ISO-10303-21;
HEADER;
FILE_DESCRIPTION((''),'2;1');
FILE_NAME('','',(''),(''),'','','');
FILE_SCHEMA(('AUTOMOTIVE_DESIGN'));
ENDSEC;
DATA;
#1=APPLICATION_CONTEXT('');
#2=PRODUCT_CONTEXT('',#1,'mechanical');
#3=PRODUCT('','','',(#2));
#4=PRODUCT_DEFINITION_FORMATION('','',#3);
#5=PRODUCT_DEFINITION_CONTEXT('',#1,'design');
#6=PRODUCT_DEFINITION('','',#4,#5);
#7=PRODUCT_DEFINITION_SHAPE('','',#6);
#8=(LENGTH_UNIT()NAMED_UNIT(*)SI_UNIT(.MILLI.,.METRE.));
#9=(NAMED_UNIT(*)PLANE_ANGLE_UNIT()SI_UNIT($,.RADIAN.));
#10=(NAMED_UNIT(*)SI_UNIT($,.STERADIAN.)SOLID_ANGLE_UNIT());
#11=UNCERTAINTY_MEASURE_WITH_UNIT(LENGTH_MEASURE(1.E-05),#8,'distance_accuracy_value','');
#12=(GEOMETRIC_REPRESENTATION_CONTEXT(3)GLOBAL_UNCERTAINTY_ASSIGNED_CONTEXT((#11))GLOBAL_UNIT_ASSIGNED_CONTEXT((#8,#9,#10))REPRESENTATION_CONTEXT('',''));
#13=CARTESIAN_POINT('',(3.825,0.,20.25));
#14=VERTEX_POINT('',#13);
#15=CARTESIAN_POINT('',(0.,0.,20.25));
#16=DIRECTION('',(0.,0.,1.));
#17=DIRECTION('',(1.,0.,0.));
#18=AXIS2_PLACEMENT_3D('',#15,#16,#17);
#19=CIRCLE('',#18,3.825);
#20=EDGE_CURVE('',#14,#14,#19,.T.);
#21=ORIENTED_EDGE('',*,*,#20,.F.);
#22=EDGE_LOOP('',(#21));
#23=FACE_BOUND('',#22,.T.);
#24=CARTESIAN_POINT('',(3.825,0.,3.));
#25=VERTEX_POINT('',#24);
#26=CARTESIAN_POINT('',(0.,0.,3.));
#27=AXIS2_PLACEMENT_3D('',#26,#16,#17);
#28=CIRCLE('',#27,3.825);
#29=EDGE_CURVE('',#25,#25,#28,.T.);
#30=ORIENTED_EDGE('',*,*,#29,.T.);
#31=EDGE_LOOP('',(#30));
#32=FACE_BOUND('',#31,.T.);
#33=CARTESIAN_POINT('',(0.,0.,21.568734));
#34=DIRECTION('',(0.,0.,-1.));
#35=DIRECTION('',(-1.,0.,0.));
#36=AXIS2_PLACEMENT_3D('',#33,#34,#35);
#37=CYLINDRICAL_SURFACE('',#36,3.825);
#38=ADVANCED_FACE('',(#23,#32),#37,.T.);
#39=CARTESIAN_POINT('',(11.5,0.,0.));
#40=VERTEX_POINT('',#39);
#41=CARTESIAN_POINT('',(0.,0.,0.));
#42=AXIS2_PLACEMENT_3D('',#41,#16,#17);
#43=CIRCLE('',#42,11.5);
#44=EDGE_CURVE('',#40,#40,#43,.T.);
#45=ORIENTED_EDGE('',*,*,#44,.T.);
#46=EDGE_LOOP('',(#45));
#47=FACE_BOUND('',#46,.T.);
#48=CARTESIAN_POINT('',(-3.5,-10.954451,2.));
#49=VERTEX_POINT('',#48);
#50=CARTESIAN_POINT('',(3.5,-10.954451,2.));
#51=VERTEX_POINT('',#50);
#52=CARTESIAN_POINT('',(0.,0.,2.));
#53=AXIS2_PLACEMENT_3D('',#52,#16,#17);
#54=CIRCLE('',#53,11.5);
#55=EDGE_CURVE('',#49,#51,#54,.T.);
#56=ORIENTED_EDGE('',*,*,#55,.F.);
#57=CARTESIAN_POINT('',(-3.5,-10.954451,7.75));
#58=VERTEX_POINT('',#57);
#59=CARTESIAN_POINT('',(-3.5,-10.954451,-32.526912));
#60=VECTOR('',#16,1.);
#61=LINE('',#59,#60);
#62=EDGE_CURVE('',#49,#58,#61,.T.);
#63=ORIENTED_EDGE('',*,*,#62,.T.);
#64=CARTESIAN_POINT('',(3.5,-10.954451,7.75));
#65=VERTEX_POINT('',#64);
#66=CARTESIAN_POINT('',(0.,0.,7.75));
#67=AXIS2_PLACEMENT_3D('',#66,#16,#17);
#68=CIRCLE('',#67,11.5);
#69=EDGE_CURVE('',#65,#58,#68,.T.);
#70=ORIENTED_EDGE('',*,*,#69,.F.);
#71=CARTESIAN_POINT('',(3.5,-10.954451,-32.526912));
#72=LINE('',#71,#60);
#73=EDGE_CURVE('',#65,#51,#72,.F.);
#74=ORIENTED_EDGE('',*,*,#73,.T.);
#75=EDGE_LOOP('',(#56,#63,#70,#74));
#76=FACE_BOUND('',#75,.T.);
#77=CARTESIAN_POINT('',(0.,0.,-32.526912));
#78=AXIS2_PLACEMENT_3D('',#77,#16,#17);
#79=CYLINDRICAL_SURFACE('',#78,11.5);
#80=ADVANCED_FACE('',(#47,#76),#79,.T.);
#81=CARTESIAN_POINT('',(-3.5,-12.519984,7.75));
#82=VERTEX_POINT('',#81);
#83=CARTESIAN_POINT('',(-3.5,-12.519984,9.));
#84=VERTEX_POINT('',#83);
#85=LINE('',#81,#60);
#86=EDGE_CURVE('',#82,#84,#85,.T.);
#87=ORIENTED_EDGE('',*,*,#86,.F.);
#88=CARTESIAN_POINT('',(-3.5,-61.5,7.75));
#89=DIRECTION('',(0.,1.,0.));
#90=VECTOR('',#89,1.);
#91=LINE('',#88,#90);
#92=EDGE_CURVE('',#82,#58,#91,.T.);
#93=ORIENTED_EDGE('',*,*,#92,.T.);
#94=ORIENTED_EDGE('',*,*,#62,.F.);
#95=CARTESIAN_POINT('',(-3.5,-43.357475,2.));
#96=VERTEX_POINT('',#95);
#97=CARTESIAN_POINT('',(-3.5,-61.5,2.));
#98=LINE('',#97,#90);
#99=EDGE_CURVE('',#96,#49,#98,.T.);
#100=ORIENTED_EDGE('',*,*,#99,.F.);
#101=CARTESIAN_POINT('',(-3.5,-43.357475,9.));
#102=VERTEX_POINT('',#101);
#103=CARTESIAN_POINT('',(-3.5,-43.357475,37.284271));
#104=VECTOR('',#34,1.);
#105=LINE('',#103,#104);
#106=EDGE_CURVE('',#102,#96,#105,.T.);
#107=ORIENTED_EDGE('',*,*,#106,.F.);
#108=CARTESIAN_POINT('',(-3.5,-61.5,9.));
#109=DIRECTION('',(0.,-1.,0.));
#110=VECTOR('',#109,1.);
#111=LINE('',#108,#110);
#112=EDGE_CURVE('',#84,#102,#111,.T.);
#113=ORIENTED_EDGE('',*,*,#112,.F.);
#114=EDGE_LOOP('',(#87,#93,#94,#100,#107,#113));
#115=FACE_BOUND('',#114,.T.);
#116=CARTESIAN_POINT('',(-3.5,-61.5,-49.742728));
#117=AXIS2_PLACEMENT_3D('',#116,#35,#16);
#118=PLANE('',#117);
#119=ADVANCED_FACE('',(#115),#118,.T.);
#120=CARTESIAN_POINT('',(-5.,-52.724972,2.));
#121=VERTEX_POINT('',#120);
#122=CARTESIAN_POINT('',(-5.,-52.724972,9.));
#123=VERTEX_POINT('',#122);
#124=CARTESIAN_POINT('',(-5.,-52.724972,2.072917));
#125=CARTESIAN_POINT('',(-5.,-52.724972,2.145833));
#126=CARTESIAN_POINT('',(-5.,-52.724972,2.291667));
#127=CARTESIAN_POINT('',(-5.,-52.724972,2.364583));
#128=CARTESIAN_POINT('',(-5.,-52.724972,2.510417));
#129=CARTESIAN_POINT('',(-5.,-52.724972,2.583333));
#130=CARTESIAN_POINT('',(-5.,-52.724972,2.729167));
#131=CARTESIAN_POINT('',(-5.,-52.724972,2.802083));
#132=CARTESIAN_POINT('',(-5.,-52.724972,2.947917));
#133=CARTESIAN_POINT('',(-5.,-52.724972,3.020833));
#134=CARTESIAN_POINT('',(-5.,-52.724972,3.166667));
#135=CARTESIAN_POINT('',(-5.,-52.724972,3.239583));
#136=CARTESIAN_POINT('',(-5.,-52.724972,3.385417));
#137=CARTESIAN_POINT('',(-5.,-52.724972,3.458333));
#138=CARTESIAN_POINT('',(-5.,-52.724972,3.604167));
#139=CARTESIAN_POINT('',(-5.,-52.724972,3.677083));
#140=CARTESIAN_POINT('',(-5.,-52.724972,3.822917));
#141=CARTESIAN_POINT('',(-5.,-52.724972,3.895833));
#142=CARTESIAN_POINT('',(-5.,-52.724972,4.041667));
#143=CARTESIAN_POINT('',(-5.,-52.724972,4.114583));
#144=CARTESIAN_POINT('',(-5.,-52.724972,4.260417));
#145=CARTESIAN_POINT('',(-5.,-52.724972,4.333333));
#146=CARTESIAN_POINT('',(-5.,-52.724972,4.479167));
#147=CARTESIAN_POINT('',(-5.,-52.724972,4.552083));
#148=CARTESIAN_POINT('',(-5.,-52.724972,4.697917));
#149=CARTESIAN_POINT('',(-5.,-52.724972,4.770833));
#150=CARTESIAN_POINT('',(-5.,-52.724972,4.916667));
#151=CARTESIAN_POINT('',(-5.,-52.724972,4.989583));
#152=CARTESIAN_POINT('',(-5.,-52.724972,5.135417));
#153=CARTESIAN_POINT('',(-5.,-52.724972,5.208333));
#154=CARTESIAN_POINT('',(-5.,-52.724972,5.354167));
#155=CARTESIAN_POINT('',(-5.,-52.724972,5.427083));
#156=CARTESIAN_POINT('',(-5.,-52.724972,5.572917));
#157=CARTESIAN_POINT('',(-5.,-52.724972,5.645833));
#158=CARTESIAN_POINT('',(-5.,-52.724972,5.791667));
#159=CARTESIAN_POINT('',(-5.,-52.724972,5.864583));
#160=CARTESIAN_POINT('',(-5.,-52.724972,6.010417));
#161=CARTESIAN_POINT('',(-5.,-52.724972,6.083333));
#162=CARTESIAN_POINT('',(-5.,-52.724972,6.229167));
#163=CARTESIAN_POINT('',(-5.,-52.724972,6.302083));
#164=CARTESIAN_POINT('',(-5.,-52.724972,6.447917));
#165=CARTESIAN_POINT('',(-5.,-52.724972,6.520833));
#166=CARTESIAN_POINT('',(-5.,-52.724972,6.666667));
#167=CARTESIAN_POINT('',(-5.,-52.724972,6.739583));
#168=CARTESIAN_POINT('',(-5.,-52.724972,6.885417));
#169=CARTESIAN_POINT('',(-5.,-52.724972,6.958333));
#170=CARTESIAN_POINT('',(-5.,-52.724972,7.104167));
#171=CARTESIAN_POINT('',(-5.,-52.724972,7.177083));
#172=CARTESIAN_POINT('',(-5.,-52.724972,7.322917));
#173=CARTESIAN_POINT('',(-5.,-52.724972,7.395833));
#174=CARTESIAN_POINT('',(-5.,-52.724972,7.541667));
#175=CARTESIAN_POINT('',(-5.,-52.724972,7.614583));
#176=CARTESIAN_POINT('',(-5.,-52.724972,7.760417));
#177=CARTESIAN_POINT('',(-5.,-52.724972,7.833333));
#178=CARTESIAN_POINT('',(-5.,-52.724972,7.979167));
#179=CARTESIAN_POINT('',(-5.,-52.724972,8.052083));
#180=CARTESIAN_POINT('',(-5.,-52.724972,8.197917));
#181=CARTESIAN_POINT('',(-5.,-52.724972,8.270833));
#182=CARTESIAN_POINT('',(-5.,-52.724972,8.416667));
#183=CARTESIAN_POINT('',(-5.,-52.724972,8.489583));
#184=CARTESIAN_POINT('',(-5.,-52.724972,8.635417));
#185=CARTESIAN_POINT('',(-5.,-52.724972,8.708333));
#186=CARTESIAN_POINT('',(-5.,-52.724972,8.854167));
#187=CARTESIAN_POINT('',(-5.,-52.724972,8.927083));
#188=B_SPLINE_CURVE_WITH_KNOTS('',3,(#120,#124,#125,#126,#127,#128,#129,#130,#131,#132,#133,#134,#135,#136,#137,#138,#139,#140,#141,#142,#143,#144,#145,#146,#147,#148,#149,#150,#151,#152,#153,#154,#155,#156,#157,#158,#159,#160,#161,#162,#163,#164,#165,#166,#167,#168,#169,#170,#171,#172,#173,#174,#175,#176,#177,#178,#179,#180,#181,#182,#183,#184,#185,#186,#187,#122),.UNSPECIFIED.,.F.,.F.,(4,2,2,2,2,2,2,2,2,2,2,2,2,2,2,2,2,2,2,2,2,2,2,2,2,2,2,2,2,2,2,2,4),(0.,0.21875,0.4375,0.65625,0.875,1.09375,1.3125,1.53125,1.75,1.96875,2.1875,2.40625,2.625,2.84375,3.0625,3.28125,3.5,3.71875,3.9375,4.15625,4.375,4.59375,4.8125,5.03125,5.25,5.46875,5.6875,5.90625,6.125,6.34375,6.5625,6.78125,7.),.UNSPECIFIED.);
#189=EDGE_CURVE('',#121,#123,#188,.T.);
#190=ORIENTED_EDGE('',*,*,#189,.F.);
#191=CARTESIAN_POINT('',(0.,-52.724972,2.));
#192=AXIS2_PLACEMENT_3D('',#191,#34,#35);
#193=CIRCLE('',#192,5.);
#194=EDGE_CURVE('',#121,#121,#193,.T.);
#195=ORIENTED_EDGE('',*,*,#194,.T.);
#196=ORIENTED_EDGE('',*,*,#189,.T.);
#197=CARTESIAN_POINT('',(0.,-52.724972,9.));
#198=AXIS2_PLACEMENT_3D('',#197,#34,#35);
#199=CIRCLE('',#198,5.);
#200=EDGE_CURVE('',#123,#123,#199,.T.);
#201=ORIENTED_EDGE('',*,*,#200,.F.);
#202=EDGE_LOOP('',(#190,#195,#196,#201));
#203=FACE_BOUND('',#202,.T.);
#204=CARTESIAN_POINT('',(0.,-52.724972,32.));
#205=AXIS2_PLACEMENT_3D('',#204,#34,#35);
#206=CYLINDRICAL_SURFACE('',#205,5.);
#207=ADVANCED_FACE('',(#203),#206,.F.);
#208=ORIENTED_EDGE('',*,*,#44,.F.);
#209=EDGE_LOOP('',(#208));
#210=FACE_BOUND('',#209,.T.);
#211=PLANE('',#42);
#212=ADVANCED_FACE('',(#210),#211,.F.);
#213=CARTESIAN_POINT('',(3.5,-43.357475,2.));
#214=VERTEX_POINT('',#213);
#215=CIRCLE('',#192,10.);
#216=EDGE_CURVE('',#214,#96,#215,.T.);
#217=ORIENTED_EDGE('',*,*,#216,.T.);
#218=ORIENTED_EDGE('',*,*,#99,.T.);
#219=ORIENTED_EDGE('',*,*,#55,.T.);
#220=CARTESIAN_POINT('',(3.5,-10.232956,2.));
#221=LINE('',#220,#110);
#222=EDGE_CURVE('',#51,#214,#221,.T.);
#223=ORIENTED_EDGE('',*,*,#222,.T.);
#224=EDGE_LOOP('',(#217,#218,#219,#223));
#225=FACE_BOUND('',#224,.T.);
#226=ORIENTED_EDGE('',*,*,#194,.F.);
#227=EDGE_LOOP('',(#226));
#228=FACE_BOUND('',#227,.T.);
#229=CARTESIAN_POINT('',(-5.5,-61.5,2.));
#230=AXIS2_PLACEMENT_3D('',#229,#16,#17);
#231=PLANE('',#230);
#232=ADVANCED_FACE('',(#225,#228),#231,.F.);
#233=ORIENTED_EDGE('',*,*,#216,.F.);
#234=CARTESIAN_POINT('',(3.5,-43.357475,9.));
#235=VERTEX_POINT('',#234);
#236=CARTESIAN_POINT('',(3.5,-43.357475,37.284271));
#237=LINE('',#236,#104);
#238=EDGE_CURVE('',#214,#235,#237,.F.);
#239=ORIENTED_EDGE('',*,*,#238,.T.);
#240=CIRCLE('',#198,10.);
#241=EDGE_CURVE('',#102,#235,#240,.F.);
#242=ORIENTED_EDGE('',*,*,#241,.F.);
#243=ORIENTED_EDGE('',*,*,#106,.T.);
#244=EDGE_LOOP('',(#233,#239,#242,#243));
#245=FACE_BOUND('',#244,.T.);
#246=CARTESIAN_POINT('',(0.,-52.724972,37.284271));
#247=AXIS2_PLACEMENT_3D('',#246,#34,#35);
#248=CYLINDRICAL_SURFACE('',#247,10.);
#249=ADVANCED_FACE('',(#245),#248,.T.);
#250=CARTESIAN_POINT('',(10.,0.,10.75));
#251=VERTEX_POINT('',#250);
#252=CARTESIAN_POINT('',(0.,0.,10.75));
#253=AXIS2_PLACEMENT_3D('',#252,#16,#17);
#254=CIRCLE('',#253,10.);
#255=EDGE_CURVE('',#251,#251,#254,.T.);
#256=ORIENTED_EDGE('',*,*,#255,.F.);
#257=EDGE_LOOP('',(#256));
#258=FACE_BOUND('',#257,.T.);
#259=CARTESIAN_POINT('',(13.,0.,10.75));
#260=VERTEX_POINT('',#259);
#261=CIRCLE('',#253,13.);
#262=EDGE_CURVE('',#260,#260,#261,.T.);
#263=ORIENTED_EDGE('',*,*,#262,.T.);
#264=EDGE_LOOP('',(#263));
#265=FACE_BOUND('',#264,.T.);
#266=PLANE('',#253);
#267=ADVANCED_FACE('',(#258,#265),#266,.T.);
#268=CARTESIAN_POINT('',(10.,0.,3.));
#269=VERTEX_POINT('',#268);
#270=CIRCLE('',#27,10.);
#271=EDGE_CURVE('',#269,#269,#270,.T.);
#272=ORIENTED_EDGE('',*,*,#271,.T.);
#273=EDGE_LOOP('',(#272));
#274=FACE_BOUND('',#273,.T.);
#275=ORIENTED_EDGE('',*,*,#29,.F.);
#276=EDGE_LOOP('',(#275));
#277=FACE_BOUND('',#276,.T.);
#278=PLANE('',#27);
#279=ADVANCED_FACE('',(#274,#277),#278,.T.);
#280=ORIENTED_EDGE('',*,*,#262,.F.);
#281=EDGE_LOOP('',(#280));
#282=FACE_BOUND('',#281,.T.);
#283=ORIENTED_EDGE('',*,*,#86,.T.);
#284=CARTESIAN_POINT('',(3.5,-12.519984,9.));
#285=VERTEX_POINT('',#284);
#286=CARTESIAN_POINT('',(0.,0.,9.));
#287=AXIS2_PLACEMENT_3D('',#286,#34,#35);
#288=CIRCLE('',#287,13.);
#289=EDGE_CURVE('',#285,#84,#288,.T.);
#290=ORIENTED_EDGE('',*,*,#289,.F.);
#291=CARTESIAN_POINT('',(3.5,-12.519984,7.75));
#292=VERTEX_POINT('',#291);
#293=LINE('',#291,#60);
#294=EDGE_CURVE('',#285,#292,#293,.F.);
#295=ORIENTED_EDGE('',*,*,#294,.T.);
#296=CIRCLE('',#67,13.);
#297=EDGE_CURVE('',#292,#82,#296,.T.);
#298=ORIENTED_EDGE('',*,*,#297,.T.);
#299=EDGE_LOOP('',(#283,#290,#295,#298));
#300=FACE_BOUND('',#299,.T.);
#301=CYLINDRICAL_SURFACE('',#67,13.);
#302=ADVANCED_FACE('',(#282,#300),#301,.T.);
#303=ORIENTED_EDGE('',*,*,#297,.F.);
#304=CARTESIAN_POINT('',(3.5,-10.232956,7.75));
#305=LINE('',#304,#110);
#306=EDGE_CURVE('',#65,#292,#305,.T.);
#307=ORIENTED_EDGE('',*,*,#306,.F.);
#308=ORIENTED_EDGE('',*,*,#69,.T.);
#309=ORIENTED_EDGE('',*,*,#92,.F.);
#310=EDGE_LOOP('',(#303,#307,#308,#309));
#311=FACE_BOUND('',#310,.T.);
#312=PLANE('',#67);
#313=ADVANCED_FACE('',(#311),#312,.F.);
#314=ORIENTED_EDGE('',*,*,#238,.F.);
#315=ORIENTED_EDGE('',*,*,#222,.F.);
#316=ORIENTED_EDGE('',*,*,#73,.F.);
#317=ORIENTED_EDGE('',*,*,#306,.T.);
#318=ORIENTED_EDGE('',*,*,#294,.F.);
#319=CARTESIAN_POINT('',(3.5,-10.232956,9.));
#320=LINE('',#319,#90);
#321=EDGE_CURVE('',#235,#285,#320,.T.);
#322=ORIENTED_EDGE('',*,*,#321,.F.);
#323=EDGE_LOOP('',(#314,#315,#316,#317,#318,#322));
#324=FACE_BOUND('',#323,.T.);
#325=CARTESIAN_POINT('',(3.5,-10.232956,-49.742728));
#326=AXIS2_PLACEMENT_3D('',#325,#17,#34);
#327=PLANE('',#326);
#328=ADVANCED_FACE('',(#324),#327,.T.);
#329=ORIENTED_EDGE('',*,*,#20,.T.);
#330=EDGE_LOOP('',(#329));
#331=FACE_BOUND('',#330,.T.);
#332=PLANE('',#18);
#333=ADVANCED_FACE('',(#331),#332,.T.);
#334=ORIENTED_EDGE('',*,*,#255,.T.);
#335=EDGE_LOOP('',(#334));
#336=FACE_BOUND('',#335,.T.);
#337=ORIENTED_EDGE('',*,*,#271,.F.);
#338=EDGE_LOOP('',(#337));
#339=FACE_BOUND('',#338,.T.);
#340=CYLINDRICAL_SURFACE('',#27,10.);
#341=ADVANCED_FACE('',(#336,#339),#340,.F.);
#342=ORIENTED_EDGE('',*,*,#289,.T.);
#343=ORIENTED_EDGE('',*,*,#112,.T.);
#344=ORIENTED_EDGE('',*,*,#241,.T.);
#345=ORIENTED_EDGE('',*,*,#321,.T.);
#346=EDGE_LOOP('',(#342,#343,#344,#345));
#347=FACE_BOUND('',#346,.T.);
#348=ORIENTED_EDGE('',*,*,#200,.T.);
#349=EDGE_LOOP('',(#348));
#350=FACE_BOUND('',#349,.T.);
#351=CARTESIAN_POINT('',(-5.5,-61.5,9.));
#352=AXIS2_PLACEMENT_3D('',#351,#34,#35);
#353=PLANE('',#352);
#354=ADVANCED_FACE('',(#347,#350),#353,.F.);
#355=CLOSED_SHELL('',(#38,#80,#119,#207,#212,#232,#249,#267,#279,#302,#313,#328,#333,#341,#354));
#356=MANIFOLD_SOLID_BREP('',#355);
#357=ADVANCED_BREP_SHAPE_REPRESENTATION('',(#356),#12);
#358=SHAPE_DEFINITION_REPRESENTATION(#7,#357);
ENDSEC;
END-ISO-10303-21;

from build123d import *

# Parameters (mm, degrees)
CROQUIS1_R               = 10
SALIENTE_EXTRUIR1_DEPTH  = 3
CROQUIS2_R               = 11.5
CROQUIS2_R_2             = 10
SALIENTE_EXTRUIR3_DEPTH  = 8
SALIENTE_EXTRUIR4_START  = 3
CROQUIS3_R               = 11.5
CROQUIS3_R_2             = 10
SALIENTE_EXTRUIR4_DEPTH  = 3
SALIENTE_EXTRUIR5_DEPTH  = 8
CROQUIS11_W              = 0.560242515
CROQUIS11_H              = 6
CORTAR_EXTRUIR3_DEPTH    = 8
CROQUIS12_W              = 2.5
CROQUIS12_H              = 0.622045166
SALIENTE_EXTRUIR6_DEPTH  = 3
CROQUIS13_W              = 5
CROQUIS13_H              = 50.27502784
SALIENTE_EXTRUIR7_DEPTH  = 8
CROQUIS15_W              = 2
CROQUIS15_H              = 50.27502784
CORTAR_EXTRUIR4_DEPTH    = 8
SALIENTE_EXTRUIR8_DEPTH  = 7
CROQUIS21_R              = 10
SALIENTE_EXTRUIR9_DEPTH  = 7
CROQUIS22_R              = 5
CORTAR_EXTRUIR5_DEPTH    = 30
CROQUIS23_R              = 10
SALIENTE_EXTRUIR10_DEPTH = 1.25
CORTAR_EXTRUIR6_START    = -1.5
CROQUIS24_R              = 10
CORTAR_EXTRUIR6_DEPTH    = 1.5
SALIENTE_EXTRUIR11_START = -3
CROQUIS25_R              = 13
SALIENTE_EXTRUIR11_DEPTH = 3
CORTAR_EXTRUIR14_START   = -10
CROQUIS30_R              = 10
CORTAR_EXTRUIR14_DEPTH   = 10
CROQUIS31_R              = 11.5
CROQUIS31_R_2            = 10
SALIENTE_EXTRUIR12_DEPTH = 7.75
CROQUIS32_R              = 10
SALIENTE_EXTRUIR13_DEPTH = 10.75
CROQUIS34_R              = 10
CORTAR_EXTRUIR15_DEPTH   = 7.75
CROQUIS36_R              = 3.825
SALIENTE_EXTRUIR14_DEPTH = 7.75
CROQUIS37_R              = 3.825
SALIENTE_EXTRUIR15_DEPTH = 9.5


with BuildPart() as part:
    # Croquis1 → Saliente-Extruir1 (new body)
    with BuildSketch(Plane.XY):
        Circle(CROQUIS1_R)
    extrude(amount=SALIENTE_EXTRUIR1_DEPTH)



with BuildPart() as body_2:
    # Croquis2 → Saliente-Extruir3 (new body)
    with BuildSketch(Plane.XY.offset(3)):
        Circle(CROQUIS2_R)
        Circle(CROQUIS2_R_2, mode=Mode.SUBTRACT)
    extrude(amount=SALIENTE_EXTRUIR3_DEPTH)


with BuildPart() as part_1:
    add(part.part)

    add(body_2.part)  # Saliente-Extruir4 merges body 2
    # Croquis3 → Saliente-Extruir4 (add)
    with BuildSketch(Plane(origin=(0, 0, 3), x_dir=(-1, 0, 0), z_dir=(0, 0, -1)).offset(SALIENTE_EXTRUIR4_START)):
        with Locations(Location((0, 0, 0), (0, 0, 180))):
            Circle(CROQUIS3_R)
        with Locations(Location((0, 0, 0), (0, 0, 180))):
            Circle(CROQUIS3_R_2, mode=Mode.SUBTRACT)
    extrude(amount=-SALIENTE_EXTRUIR4_DEPTH)

    # Croquis12 → Saliente-Extruir6 (add)
    with BuildSketch(Plane.XY.offset(3)):
        with Locations((-1.25, -11.188977417)):
            Rectangle(CROQUIS12_W, CROQUIS12_H)
        with Locations((1.25, -11.188977417)):
            Rectangle(CROQUIS12_W, CROQUIS12_H)
        Polygon((2.5, -11.5), (2.5, -61.5), (-2.5, -61.5), (-2.5, -11.5), (0, -11.5), align=None)
    extrude(amount=-SALIENTE_EXTRUIR6_DEPTH)

    # Croquis13 → Saliente-Extruir7 (add)
    with BuildSketch(Plane.XY.offset(3)):
        with Locations((0, -36.36248608)):
            Rectangle(CROQUIS13_W, CROQUIS13_H)
    extrude(amount=SALIENTE_EXTRUIR7_DEPTH)

    # Croquis15 → Cortar-Extruir4 (cut)
    with BuildSketch(Plane(origin=(2.5, 0, 0), x_dir=(0, 0, -1), z_dir=(1, 0, 0))):
        with Locations((-10, -36.36248608)):
            Rectangle(CROQUIS15_W, CROQUIS15_H)
        with Locations((-1, -36.36248608)):
            Rectangle(CROQUIS15_W, CROQUIS15_H)
    extrude(amount=-CORTAR_EXTRUIR4_DEPTH, mode=Mode.SUBTRACT)

    # Croquis16 → Saliente-Extruir8 (add)
    with BuildSketch(Plane.XY.offset(9)):
        Polygon((-2.5, -61.5), (-3.5, -61.5), (-3.5, -10.232955502), (3.5, -10.232955502), (3.5, -61.5), (2.5, -61.5), align=None)
    extrude(amount=-SALIENTE_EXTRUIR8_DEPTH)

    # Croquis21 → Saliente-Extruir9 (add)
    with BuildSketch(Plane(origin=(0, 0, 2), x_dir=(-1, 0, 0), z_dir=(0, 0, -1))):
        with Locations((0, -52.72497216)):
            Circle(CROQUIS21_R)
    extrude(amount=-SALIENTE_EXTRUIR9_DEPTH)

    # Croquis22 → Cortar-Extruir5 (cut)
    with BuildSketch(Plane(origin=(0, 0, 2), x_dir=(-1, 0, 0), z_dir=(0, 0, -1))):
        with Locations((0, -52.72497216)):
            Circle(CROQUIS22_R)
    extrude(amount=-CORTAR_EXTRUIR5_DEPTH, mode=Mode.SUBTRACT)

    # Croquis23 → Saliente-Extruir10 (add)
    with BuildSketch(Plane.XY.offset(11)):
        with BuildLine():
            Line((-2.5, -11.22497216), (2.5, -11.22497216))
            ThreePointArc((2.5, -11.22497216), (0, 11.5), (-2.5, -11.22497216))
        make_face()
        Circle(CROQUIS23_R, mode=Mode.SUBTRACT)
    extrude(amount=SALIENTE_EXTRUIR10_DEPTH)

    # Croquis24 → Cortar-Extruir6 (cut)
    with BuildSketch(Plane.XY.offset(12.25).offset(CORTAR_EXTRUIR6_START)):
        with BuildLine():
            Line((-2.5, -11.22497216), (2.5, -11.22497216))
            ThreePointArc((2.5, -11.22497216), (0, 11.5), (-2.5, -11.22497216))
        make_face()
        Circle(CROQUIS24_R, mode=Mode.SUBTRACT)
    extrude(amount=CORTAR_EXTRUIR6_DEPTH, mode=Mode.SUBTRACT)

    # Croquis25 → Saliente-Extruir11 (add)
    with BuildSketch(Plane.XY.offset(10.75).offset(SALIENTE_EXTRUIR11_START)):
        Circle(CROQUIS25_R)
        with BuildLine():
            ThreePointArc((2.5, -11.22497216), (0, 11.5), (-2.5, -11.22497216))
            Line((-2.5, -11.22497216), (2.5, -11.22497216))
        make_face(mode=Mode.SUBTRACT)
    extrude(amount=SALIENTE_EXTRUIR11_DEPTH)

    # Croquis30 → Cortar-Extruir14 (cut)
    with BuildSketch(Plane.XY.offset(3).offset(CORTAR_EXTRUIR14_START)):
        Circle(CROQUIS30_R)
    extrude(amount=CORTAR_EXTRUIR14_DEPTH, mode=Mode.SUBTRACT)

    # Croquis31 → Saliente-Extruir12 (add)
    with BuildSketch(Plane(origin=(0, 0, 0), x_dir=(-1, 0, 0), z_dir=(0, 0, -1))):
        with Locations(Location((0, 0, 0), (0, 0, 180))):
            Circle(CROQUIS31_R)
        with Locations(Location((0, 0, 0), (0, 0, 180))):
            Circle(CROQUIS31_R_2, mode=Mode.SUBTRACT)
    extrude(amount=-SALIENTE_EXTRUIR12_DEPTH)

    # Croquis32 → Saliente-Extruir13 (add)
    with BuildSketch(Plane(origin=(0, 0, 0), x_dir=(-1, 0, 0), z_dir=(0, 0, -1))):
        Circle(CROQUIS32_R)
    extrude(amount=-SALIENTE_EXTRUIR13_DEPTH)

    # Croquis34 → Cortar-Extruir15 (cut)
    with BuildSketch(Plane.XY.offset(10.75)):
        Circle(CROQUIS34_R)
    extrude(amount=-CORTAR_EXTRUIR15_DEPTH, mode=Mode.SUBTRACT)

    # Croquis36 → Saliente-Extruir14 (add)
    with BuildSketch(Plane.XY.offset(3)):
        Circle(CROQUIS36_R)
    extrude(amount=SALIENTE_EXTRUIR14_DEPTH)

    # Croquis37 → Saliente-Extruir15 (add)
    with BuildSketch(Plane.XY.offset(10.75)):
        Circle(CROQUIS37_R)
    extrude(amount=SALIENTE_EXTRUIR15_DEPTH)


with BuildPart() as body_2_2:
    # Croquis9 → Saliente-Extruir5 (new body)
    with BuildSketch(Plane.XY.offset(11)):
        Polygon((11.5, 0), (11.5, 3), (12.060242515, 3), (12.060242515, -3), (11.5, -3), align=None)
    extrude(amount=-SALIENTE_EXTRUIR5_DEPTH)

    # Croquis11 → Cortar-Extruir3 (cut)
    with BuildSketch(Plane.XY.offset(11)):
        with Locations((11.780121257, 0)):
            Rectangle(CROQUIS11_W, CROQUIS11_H)
    extrude(amount=-CORTAR_EXTRUIR3_DEPTH, mode=Mode.SUBTRACT)


solid = part_1.part
